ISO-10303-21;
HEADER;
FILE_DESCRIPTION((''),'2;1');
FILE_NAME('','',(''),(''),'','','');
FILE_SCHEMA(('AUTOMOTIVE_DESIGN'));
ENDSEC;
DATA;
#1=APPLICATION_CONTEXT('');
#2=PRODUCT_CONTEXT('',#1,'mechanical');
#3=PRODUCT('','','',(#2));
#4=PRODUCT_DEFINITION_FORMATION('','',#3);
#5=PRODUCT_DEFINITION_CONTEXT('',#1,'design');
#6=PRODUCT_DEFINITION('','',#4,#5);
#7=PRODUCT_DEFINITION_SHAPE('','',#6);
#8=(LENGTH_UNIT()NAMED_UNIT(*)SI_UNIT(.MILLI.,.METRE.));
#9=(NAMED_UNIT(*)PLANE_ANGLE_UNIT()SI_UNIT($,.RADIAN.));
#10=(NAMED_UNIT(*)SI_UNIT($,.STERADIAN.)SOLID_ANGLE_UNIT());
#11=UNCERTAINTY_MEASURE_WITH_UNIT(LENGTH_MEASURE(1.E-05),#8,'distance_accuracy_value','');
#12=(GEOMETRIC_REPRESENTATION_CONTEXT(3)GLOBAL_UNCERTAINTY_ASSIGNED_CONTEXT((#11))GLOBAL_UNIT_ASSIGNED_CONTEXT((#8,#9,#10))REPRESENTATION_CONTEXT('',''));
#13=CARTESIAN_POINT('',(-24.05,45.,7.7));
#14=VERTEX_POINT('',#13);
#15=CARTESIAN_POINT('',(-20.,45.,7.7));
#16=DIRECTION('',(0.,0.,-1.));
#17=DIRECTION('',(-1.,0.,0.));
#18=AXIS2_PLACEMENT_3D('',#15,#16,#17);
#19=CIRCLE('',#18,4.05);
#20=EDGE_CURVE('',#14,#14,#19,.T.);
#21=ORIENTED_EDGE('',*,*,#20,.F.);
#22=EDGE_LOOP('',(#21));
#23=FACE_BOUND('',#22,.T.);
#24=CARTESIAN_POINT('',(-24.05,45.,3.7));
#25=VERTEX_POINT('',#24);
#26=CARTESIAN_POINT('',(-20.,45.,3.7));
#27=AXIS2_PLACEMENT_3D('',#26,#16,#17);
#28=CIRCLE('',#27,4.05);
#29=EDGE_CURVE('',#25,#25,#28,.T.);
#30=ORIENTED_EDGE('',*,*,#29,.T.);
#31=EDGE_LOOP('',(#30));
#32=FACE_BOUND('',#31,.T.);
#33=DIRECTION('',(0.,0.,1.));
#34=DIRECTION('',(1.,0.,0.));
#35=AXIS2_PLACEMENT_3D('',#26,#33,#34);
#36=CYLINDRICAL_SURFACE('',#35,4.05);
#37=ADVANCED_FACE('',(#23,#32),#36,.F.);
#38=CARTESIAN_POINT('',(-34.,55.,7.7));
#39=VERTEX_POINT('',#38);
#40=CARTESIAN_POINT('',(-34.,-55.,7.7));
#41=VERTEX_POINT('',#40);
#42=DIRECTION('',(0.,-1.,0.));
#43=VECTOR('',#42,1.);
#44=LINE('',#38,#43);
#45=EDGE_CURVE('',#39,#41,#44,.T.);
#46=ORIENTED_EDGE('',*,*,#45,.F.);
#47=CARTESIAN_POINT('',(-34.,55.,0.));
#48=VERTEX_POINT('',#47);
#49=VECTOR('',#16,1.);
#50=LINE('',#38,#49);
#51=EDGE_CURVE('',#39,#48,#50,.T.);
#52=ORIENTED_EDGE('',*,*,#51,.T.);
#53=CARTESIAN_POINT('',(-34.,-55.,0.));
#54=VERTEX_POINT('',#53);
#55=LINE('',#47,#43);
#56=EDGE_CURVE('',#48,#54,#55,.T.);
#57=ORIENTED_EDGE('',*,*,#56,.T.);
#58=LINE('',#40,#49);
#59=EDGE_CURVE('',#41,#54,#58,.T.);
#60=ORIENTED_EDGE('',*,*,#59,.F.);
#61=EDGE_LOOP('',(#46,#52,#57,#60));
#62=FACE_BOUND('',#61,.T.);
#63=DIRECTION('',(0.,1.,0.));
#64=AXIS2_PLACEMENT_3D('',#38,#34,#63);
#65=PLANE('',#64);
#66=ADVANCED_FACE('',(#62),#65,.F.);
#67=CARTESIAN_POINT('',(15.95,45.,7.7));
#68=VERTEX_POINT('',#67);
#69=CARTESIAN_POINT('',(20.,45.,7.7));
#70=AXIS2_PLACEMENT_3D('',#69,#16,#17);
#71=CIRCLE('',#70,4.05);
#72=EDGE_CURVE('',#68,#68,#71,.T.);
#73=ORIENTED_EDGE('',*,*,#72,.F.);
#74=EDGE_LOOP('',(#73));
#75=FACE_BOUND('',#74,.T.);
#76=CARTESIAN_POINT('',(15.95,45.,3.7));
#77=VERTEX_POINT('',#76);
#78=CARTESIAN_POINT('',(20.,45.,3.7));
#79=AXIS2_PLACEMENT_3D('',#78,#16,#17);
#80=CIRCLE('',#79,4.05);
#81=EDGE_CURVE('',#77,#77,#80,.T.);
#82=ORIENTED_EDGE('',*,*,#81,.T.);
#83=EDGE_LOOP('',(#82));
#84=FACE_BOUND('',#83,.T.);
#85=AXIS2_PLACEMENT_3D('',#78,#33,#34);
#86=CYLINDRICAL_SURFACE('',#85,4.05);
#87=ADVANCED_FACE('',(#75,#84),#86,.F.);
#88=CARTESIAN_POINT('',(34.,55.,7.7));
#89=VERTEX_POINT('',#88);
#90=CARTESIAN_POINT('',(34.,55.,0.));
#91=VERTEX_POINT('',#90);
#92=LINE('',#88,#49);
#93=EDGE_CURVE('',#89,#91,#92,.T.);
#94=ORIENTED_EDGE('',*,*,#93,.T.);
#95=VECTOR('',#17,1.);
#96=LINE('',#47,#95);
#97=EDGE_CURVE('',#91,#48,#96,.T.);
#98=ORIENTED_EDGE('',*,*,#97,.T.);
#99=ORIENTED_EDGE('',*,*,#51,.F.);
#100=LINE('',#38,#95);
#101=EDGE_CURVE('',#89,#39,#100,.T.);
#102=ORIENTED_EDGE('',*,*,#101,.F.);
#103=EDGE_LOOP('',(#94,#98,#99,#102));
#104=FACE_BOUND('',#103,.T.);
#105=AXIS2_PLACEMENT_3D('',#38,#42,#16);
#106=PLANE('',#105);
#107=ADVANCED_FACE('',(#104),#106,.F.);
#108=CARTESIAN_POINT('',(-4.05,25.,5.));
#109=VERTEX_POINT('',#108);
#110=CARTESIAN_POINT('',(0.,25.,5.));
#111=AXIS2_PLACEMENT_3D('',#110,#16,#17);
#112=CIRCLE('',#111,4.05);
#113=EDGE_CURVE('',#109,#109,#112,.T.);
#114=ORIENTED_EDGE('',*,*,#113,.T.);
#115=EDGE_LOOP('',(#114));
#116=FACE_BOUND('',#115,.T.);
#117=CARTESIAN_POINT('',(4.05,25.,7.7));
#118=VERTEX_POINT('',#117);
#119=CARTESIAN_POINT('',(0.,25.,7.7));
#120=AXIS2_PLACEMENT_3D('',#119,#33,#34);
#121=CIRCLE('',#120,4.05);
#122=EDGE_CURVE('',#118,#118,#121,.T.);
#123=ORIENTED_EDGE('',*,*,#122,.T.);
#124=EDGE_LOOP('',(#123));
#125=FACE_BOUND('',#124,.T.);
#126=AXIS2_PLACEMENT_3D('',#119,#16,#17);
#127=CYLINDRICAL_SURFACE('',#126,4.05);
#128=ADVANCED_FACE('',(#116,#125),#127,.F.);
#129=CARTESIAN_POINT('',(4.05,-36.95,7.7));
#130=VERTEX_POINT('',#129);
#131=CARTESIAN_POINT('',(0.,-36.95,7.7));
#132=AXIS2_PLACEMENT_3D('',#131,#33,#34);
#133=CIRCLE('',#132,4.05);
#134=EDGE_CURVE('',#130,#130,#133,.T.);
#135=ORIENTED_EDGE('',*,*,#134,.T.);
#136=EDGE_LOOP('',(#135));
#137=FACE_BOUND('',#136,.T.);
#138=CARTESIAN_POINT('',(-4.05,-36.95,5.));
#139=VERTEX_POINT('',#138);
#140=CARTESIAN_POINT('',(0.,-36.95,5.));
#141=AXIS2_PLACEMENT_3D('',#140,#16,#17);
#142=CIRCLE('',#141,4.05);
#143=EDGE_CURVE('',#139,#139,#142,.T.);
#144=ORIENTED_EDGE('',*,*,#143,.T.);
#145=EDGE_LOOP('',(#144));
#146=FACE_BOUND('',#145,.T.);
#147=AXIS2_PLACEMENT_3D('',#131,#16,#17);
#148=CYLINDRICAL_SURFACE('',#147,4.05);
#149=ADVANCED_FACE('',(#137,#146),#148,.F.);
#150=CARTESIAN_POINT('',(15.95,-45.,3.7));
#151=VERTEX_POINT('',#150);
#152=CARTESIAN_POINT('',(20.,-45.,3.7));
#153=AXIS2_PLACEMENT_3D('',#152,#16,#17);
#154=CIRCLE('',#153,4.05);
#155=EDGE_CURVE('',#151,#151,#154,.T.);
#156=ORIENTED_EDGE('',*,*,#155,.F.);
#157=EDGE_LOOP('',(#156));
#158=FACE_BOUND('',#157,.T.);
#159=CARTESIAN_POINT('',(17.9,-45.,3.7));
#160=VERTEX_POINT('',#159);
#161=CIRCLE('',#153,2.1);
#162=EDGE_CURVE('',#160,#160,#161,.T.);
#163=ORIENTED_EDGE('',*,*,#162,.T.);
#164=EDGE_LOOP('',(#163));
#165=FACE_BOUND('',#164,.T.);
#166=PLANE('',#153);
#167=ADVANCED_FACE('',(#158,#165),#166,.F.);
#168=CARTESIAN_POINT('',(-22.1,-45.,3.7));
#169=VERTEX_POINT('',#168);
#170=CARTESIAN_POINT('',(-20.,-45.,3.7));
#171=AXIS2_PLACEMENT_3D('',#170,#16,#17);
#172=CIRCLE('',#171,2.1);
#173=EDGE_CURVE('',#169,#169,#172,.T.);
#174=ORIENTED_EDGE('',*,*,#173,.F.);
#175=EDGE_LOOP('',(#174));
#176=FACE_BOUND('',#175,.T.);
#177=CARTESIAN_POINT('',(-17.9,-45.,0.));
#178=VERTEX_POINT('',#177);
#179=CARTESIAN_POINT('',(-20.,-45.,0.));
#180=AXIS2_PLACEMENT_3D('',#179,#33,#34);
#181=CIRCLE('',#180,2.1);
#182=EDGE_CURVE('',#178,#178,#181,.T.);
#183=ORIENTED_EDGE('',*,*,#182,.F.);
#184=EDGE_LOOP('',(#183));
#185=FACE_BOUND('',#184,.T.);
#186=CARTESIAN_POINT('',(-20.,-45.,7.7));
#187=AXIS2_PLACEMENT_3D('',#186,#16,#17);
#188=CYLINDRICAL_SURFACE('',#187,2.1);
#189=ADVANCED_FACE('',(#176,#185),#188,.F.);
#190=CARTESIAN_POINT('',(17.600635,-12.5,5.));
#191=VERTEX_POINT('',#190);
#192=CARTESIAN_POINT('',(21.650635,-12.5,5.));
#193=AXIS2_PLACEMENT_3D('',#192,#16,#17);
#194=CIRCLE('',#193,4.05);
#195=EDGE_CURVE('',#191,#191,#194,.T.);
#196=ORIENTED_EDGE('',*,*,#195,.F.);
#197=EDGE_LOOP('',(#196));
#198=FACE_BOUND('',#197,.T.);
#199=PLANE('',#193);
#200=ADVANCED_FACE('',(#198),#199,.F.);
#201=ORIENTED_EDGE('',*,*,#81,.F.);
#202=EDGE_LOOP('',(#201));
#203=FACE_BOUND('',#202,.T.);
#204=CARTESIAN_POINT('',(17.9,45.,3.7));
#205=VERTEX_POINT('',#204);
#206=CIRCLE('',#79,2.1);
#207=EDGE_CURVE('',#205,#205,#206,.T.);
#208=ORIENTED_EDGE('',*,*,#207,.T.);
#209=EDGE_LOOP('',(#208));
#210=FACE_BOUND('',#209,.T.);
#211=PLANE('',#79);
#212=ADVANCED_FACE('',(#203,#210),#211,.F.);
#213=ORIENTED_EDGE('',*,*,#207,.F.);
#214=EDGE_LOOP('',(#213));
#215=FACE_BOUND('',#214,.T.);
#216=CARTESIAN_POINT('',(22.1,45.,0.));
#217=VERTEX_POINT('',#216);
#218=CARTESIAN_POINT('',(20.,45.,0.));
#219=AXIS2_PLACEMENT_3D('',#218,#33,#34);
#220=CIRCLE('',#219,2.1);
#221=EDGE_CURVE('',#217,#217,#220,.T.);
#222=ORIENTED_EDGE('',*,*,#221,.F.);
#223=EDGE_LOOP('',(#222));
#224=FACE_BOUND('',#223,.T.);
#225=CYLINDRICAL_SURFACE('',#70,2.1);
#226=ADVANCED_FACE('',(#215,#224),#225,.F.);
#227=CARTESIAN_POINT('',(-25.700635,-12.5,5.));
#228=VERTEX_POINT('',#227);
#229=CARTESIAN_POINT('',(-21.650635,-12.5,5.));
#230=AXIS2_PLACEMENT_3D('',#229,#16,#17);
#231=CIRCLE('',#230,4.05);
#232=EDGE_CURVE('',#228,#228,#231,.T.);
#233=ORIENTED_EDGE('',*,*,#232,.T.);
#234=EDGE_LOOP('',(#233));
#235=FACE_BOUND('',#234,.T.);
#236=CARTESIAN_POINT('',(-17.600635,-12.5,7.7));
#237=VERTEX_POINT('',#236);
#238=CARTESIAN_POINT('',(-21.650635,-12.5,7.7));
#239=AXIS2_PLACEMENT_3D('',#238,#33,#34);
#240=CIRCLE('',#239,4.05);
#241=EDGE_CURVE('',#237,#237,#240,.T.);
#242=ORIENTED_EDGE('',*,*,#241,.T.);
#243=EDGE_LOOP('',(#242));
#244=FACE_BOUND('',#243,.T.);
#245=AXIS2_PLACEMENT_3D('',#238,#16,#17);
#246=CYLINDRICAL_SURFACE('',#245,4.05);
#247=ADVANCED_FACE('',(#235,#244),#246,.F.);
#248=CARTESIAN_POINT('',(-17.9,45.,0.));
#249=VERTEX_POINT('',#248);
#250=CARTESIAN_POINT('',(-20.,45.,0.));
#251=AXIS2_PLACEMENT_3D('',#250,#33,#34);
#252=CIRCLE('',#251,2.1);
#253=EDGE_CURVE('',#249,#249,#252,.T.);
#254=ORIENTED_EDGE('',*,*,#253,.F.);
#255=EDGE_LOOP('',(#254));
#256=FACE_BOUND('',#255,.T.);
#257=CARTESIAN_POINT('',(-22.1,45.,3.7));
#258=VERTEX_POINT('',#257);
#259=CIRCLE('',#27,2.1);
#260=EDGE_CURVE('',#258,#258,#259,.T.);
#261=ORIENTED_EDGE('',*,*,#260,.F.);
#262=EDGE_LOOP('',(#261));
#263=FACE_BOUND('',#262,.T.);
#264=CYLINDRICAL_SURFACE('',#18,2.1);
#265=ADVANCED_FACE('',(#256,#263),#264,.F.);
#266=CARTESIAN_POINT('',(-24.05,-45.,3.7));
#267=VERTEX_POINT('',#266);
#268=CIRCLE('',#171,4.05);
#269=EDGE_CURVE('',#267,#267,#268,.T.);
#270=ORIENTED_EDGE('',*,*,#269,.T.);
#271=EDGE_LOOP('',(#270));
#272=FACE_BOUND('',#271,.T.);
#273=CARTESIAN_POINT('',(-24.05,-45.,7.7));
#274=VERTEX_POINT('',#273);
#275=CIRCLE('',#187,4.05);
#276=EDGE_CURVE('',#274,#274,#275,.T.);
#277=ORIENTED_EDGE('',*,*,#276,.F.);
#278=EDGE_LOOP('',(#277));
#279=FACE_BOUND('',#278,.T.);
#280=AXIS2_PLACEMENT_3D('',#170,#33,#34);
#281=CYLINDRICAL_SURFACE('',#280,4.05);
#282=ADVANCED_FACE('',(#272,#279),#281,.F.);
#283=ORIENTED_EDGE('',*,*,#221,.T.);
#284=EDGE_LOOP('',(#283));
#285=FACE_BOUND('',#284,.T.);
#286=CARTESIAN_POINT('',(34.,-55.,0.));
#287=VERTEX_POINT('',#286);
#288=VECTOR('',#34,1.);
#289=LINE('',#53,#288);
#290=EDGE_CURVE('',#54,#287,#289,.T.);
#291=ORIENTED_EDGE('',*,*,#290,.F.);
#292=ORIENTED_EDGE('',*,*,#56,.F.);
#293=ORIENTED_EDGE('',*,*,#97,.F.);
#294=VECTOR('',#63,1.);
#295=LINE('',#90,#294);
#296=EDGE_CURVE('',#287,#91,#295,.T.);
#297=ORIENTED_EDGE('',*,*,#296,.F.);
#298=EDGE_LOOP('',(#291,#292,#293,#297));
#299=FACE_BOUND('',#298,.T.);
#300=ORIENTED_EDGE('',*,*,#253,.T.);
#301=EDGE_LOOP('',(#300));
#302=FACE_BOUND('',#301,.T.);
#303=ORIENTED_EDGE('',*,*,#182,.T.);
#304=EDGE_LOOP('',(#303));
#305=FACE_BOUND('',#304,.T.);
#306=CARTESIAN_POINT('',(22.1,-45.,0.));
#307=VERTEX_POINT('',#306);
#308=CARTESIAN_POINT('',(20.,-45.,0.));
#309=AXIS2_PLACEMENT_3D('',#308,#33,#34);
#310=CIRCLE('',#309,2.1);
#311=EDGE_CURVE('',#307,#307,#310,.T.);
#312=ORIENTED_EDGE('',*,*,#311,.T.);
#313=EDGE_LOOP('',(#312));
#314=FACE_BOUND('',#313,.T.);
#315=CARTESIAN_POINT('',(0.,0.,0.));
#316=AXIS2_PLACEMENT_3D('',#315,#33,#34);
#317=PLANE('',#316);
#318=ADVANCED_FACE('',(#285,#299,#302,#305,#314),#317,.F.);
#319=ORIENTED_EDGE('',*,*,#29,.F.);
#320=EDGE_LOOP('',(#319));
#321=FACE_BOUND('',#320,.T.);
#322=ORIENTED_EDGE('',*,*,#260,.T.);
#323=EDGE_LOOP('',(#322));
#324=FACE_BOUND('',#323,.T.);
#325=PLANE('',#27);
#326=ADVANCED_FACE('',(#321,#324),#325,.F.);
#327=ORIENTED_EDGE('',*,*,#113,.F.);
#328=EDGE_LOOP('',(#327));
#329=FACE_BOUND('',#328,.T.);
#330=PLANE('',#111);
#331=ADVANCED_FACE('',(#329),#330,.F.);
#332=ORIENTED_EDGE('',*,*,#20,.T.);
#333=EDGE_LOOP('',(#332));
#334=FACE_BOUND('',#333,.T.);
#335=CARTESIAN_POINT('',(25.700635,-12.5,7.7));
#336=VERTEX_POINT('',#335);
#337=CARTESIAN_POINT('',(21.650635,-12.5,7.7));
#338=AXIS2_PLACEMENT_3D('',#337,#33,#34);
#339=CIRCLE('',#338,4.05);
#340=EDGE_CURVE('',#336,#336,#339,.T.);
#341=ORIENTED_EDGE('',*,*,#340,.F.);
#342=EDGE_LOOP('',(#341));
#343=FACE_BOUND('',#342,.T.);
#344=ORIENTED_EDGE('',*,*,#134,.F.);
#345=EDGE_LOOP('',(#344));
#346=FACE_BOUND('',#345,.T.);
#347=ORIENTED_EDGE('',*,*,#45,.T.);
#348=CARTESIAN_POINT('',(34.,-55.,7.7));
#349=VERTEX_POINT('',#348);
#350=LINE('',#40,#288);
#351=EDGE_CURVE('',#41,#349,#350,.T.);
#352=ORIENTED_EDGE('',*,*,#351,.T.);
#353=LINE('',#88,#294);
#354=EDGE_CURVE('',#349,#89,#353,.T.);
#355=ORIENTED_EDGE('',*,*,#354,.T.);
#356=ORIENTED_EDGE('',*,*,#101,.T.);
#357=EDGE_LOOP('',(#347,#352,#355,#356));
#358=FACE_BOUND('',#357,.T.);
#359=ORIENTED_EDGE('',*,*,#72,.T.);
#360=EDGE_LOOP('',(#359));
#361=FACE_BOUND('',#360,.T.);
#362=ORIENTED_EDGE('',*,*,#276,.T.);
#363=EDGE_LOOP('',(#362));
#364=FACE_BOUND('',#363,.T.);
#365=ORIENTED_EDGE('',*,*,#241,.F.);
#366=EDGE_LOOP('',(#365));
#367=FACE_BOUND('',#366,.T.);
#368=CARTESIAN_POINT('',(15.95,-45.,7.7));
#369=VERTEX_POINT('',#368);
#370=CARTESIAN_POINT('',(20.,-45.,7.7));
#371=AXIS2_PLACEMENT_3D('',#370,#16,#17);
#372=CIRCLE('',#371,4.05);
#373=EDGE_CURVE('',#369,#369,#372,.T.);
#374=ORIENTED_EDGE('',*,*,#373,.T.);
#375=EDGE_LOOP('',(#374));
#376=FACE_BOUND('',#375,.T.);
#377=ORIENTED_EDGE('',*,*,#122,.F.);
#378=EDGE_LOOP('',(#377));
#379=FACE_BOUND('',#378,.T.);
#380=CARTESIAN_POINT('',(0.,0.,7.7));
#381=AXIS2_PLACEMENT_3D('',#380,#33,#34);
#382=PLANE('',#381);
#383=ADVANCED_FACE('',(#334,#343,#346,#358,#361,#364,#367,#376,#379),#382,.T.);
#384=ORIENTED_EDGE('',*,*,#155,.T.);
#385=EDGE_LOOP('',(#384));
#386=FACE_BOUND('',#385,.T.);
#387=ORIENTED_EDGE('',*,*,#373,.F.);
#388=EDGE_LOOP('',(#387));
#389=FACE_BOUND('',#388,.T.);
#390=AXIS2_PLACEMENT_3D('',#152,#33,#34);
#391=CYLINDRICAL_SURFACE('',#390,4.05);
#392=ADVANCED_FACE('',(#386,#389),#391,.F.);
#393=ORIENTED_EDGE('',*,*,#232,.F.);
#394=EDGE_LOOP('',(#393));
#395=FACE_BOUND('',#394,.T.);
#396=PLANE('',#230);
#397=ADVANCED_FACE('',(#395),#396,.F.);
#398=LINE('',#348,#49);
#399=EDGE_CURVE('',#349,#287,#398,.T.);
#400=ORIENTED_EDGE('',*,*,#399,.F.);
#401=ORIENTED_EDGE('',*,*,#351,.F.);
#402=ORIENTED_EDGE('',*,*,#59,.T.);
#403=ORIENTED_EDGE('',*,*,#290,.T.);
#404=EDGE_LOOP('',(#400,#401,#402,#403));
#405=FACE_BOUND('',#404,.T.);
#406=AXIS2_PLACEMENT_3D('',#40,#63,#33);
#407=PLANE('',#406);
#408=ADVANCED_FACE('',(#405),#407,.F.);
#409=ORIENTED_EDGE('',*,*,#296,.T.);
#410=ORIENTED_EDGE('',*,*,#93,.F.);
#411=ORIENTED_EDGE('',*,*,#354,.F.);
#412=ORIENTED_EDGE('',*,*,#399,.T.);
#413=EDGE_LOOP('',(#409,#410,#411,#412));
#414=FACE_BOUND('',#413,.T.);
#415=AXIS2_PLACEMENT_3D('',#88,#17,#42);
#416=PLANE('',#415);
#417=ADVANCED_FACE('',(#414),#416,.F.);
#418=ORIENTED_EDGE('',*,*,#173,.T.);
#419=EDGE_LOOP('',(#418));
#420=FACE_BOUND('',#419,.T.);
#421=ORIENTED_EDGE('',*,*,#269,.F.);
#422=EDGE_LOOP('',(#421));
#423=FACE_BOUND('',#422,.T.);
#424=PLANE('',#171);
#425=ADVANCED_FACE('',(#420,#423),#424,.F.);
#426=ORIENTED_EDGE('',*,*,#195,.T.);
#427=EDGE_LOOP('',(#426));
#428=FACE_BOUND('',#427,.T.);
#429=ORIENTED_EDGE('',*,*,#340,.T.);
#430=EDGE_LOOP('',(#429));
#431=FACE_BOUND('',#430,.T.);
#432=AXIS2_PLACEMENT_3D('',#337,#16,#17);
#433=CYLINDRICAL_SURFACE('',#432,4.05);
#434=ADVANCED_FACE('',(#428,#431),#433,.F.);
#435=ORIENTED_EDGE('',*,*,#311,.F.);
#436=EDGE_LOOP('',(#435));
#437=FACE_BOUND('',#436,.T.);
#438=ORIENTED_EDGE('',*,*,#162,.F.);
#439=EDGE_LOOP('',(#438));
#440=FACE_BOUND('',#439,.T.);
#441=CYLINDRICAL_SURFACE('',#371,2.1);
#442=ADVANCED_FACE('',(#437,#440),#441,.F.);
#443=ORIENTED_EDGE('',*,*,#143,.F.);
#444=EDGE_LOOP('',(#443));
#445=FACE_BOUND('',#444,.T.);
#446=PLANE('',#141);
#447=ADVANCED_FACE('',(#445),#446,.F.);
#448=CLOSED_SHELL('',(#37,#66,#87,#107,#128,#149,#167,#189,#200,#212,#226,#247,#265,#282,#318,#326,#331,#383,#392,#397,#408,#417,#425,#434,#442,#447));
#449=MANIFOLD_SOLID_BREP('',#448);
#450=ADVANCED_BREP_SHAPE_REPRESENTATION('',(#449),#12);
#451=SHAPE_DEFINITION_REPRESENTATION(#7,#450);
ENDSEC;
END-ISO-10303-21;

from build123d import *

# Parameters (mm, degrees)
SKETCH1_W           = 68
SKETCH1_H           = 110
SKETCH1_R           = 2.1
SKETCH1_R_2         = 4.05
BOSS_EXTRUDE1_DEPTH = 7.7
SKETCH2_R           = 6.304633146
SKETCH2_R_2         = 7.334333348
SKETCH2_R_3         = 8.114040952
SKETCH2_R_4         = 11.073656437
BOSS_EXTRUDE2_DEPTH = 5
SKETCH3_R           = 4.05
CUT_EXTRUDE1_DEPTH  = 4


with BuildPart() as part:
    # Sketch1 → Boss-Extrude1 (new body)
    with BuildSketch(Plane.XY):
        Rectangle(SKETCH1_W, SKETCH1_H)
        with Locations((20, 45)):
            Circle(SKETCH1_R, mode=Mode.SUBTRACT)
        with Locations((-20, 45)):
            Circle(SKETCH1_R, mode=Mode.SUBTRACT)
        with Locations((20, -45)):
            Circle(SKETCH1_R, mode=Mode.SUBTRACT)
        with Locations((-20, -45)):
            Circle(SKETCH1_R, mode=Mode.SUBTRACT)
        with Locations((21.650635095, -12.5)):
            Circle(SKETCH1_R_2, mode=Mode.SUBTRACT)
        with Locations((0, 25)):
            Circle(SKETCH1_R_2, mode=Mode.SUBTRACT)
        with Locations((-21.650635095, -12.5)):
            Circle(SKETCH1_R_2, mode=Mode.SUBTRACT)
        with Locations((0, -36.95)):
            Circle(SKETCH1_R_2, mode=Mode.SUBTRACT)
    extrude(amount=BOSS_EXTRUDE1_DEPTH)

    # Sketch2 → Boss-Extrude2 (add)
    with BuildSketch(Plane(origin=(0, 0, 0), x_dir=(-1, 0, 0), z_dir=(0, 0, -1))):
        with Locations((-21.650635095, -12.5)):
            Circle(SKETCH2_R)
        with Locations((0, 25)):
            Circle(SKETCH2_R_2)
        with Locations((21.650635095, -12.5)):
            Circle(SKETCH2_R_3)
        with Locations((0, -36.95)):
            Circle(SKETCH2_R_4)
    extrude(amount=-BOSS_EXTRUDE2_DEPTH)

    # Sketch3 → Cut-Extrude1 (cut)
    with BuildSketch(Plane(origin=(0, 0, 7.7), x_dir=(-1, 0, 0), z_dir=(0, 0, -1))):
        with Locations((-20, 45)):
            Circle(SKETCH3_R)
        with Locations((20, 45)):
            Circle(SKETCH3_R)
        with Locations((-20, -45)):
            Circle(SKETCH3_R)
        with Locations((20, -45)):
            Circle(SKETCH3_R)
    extrude(amount=CUT_EXTRUDE1_DEPTH, mode=Mode.SUBTRACT)


solid = part.part
